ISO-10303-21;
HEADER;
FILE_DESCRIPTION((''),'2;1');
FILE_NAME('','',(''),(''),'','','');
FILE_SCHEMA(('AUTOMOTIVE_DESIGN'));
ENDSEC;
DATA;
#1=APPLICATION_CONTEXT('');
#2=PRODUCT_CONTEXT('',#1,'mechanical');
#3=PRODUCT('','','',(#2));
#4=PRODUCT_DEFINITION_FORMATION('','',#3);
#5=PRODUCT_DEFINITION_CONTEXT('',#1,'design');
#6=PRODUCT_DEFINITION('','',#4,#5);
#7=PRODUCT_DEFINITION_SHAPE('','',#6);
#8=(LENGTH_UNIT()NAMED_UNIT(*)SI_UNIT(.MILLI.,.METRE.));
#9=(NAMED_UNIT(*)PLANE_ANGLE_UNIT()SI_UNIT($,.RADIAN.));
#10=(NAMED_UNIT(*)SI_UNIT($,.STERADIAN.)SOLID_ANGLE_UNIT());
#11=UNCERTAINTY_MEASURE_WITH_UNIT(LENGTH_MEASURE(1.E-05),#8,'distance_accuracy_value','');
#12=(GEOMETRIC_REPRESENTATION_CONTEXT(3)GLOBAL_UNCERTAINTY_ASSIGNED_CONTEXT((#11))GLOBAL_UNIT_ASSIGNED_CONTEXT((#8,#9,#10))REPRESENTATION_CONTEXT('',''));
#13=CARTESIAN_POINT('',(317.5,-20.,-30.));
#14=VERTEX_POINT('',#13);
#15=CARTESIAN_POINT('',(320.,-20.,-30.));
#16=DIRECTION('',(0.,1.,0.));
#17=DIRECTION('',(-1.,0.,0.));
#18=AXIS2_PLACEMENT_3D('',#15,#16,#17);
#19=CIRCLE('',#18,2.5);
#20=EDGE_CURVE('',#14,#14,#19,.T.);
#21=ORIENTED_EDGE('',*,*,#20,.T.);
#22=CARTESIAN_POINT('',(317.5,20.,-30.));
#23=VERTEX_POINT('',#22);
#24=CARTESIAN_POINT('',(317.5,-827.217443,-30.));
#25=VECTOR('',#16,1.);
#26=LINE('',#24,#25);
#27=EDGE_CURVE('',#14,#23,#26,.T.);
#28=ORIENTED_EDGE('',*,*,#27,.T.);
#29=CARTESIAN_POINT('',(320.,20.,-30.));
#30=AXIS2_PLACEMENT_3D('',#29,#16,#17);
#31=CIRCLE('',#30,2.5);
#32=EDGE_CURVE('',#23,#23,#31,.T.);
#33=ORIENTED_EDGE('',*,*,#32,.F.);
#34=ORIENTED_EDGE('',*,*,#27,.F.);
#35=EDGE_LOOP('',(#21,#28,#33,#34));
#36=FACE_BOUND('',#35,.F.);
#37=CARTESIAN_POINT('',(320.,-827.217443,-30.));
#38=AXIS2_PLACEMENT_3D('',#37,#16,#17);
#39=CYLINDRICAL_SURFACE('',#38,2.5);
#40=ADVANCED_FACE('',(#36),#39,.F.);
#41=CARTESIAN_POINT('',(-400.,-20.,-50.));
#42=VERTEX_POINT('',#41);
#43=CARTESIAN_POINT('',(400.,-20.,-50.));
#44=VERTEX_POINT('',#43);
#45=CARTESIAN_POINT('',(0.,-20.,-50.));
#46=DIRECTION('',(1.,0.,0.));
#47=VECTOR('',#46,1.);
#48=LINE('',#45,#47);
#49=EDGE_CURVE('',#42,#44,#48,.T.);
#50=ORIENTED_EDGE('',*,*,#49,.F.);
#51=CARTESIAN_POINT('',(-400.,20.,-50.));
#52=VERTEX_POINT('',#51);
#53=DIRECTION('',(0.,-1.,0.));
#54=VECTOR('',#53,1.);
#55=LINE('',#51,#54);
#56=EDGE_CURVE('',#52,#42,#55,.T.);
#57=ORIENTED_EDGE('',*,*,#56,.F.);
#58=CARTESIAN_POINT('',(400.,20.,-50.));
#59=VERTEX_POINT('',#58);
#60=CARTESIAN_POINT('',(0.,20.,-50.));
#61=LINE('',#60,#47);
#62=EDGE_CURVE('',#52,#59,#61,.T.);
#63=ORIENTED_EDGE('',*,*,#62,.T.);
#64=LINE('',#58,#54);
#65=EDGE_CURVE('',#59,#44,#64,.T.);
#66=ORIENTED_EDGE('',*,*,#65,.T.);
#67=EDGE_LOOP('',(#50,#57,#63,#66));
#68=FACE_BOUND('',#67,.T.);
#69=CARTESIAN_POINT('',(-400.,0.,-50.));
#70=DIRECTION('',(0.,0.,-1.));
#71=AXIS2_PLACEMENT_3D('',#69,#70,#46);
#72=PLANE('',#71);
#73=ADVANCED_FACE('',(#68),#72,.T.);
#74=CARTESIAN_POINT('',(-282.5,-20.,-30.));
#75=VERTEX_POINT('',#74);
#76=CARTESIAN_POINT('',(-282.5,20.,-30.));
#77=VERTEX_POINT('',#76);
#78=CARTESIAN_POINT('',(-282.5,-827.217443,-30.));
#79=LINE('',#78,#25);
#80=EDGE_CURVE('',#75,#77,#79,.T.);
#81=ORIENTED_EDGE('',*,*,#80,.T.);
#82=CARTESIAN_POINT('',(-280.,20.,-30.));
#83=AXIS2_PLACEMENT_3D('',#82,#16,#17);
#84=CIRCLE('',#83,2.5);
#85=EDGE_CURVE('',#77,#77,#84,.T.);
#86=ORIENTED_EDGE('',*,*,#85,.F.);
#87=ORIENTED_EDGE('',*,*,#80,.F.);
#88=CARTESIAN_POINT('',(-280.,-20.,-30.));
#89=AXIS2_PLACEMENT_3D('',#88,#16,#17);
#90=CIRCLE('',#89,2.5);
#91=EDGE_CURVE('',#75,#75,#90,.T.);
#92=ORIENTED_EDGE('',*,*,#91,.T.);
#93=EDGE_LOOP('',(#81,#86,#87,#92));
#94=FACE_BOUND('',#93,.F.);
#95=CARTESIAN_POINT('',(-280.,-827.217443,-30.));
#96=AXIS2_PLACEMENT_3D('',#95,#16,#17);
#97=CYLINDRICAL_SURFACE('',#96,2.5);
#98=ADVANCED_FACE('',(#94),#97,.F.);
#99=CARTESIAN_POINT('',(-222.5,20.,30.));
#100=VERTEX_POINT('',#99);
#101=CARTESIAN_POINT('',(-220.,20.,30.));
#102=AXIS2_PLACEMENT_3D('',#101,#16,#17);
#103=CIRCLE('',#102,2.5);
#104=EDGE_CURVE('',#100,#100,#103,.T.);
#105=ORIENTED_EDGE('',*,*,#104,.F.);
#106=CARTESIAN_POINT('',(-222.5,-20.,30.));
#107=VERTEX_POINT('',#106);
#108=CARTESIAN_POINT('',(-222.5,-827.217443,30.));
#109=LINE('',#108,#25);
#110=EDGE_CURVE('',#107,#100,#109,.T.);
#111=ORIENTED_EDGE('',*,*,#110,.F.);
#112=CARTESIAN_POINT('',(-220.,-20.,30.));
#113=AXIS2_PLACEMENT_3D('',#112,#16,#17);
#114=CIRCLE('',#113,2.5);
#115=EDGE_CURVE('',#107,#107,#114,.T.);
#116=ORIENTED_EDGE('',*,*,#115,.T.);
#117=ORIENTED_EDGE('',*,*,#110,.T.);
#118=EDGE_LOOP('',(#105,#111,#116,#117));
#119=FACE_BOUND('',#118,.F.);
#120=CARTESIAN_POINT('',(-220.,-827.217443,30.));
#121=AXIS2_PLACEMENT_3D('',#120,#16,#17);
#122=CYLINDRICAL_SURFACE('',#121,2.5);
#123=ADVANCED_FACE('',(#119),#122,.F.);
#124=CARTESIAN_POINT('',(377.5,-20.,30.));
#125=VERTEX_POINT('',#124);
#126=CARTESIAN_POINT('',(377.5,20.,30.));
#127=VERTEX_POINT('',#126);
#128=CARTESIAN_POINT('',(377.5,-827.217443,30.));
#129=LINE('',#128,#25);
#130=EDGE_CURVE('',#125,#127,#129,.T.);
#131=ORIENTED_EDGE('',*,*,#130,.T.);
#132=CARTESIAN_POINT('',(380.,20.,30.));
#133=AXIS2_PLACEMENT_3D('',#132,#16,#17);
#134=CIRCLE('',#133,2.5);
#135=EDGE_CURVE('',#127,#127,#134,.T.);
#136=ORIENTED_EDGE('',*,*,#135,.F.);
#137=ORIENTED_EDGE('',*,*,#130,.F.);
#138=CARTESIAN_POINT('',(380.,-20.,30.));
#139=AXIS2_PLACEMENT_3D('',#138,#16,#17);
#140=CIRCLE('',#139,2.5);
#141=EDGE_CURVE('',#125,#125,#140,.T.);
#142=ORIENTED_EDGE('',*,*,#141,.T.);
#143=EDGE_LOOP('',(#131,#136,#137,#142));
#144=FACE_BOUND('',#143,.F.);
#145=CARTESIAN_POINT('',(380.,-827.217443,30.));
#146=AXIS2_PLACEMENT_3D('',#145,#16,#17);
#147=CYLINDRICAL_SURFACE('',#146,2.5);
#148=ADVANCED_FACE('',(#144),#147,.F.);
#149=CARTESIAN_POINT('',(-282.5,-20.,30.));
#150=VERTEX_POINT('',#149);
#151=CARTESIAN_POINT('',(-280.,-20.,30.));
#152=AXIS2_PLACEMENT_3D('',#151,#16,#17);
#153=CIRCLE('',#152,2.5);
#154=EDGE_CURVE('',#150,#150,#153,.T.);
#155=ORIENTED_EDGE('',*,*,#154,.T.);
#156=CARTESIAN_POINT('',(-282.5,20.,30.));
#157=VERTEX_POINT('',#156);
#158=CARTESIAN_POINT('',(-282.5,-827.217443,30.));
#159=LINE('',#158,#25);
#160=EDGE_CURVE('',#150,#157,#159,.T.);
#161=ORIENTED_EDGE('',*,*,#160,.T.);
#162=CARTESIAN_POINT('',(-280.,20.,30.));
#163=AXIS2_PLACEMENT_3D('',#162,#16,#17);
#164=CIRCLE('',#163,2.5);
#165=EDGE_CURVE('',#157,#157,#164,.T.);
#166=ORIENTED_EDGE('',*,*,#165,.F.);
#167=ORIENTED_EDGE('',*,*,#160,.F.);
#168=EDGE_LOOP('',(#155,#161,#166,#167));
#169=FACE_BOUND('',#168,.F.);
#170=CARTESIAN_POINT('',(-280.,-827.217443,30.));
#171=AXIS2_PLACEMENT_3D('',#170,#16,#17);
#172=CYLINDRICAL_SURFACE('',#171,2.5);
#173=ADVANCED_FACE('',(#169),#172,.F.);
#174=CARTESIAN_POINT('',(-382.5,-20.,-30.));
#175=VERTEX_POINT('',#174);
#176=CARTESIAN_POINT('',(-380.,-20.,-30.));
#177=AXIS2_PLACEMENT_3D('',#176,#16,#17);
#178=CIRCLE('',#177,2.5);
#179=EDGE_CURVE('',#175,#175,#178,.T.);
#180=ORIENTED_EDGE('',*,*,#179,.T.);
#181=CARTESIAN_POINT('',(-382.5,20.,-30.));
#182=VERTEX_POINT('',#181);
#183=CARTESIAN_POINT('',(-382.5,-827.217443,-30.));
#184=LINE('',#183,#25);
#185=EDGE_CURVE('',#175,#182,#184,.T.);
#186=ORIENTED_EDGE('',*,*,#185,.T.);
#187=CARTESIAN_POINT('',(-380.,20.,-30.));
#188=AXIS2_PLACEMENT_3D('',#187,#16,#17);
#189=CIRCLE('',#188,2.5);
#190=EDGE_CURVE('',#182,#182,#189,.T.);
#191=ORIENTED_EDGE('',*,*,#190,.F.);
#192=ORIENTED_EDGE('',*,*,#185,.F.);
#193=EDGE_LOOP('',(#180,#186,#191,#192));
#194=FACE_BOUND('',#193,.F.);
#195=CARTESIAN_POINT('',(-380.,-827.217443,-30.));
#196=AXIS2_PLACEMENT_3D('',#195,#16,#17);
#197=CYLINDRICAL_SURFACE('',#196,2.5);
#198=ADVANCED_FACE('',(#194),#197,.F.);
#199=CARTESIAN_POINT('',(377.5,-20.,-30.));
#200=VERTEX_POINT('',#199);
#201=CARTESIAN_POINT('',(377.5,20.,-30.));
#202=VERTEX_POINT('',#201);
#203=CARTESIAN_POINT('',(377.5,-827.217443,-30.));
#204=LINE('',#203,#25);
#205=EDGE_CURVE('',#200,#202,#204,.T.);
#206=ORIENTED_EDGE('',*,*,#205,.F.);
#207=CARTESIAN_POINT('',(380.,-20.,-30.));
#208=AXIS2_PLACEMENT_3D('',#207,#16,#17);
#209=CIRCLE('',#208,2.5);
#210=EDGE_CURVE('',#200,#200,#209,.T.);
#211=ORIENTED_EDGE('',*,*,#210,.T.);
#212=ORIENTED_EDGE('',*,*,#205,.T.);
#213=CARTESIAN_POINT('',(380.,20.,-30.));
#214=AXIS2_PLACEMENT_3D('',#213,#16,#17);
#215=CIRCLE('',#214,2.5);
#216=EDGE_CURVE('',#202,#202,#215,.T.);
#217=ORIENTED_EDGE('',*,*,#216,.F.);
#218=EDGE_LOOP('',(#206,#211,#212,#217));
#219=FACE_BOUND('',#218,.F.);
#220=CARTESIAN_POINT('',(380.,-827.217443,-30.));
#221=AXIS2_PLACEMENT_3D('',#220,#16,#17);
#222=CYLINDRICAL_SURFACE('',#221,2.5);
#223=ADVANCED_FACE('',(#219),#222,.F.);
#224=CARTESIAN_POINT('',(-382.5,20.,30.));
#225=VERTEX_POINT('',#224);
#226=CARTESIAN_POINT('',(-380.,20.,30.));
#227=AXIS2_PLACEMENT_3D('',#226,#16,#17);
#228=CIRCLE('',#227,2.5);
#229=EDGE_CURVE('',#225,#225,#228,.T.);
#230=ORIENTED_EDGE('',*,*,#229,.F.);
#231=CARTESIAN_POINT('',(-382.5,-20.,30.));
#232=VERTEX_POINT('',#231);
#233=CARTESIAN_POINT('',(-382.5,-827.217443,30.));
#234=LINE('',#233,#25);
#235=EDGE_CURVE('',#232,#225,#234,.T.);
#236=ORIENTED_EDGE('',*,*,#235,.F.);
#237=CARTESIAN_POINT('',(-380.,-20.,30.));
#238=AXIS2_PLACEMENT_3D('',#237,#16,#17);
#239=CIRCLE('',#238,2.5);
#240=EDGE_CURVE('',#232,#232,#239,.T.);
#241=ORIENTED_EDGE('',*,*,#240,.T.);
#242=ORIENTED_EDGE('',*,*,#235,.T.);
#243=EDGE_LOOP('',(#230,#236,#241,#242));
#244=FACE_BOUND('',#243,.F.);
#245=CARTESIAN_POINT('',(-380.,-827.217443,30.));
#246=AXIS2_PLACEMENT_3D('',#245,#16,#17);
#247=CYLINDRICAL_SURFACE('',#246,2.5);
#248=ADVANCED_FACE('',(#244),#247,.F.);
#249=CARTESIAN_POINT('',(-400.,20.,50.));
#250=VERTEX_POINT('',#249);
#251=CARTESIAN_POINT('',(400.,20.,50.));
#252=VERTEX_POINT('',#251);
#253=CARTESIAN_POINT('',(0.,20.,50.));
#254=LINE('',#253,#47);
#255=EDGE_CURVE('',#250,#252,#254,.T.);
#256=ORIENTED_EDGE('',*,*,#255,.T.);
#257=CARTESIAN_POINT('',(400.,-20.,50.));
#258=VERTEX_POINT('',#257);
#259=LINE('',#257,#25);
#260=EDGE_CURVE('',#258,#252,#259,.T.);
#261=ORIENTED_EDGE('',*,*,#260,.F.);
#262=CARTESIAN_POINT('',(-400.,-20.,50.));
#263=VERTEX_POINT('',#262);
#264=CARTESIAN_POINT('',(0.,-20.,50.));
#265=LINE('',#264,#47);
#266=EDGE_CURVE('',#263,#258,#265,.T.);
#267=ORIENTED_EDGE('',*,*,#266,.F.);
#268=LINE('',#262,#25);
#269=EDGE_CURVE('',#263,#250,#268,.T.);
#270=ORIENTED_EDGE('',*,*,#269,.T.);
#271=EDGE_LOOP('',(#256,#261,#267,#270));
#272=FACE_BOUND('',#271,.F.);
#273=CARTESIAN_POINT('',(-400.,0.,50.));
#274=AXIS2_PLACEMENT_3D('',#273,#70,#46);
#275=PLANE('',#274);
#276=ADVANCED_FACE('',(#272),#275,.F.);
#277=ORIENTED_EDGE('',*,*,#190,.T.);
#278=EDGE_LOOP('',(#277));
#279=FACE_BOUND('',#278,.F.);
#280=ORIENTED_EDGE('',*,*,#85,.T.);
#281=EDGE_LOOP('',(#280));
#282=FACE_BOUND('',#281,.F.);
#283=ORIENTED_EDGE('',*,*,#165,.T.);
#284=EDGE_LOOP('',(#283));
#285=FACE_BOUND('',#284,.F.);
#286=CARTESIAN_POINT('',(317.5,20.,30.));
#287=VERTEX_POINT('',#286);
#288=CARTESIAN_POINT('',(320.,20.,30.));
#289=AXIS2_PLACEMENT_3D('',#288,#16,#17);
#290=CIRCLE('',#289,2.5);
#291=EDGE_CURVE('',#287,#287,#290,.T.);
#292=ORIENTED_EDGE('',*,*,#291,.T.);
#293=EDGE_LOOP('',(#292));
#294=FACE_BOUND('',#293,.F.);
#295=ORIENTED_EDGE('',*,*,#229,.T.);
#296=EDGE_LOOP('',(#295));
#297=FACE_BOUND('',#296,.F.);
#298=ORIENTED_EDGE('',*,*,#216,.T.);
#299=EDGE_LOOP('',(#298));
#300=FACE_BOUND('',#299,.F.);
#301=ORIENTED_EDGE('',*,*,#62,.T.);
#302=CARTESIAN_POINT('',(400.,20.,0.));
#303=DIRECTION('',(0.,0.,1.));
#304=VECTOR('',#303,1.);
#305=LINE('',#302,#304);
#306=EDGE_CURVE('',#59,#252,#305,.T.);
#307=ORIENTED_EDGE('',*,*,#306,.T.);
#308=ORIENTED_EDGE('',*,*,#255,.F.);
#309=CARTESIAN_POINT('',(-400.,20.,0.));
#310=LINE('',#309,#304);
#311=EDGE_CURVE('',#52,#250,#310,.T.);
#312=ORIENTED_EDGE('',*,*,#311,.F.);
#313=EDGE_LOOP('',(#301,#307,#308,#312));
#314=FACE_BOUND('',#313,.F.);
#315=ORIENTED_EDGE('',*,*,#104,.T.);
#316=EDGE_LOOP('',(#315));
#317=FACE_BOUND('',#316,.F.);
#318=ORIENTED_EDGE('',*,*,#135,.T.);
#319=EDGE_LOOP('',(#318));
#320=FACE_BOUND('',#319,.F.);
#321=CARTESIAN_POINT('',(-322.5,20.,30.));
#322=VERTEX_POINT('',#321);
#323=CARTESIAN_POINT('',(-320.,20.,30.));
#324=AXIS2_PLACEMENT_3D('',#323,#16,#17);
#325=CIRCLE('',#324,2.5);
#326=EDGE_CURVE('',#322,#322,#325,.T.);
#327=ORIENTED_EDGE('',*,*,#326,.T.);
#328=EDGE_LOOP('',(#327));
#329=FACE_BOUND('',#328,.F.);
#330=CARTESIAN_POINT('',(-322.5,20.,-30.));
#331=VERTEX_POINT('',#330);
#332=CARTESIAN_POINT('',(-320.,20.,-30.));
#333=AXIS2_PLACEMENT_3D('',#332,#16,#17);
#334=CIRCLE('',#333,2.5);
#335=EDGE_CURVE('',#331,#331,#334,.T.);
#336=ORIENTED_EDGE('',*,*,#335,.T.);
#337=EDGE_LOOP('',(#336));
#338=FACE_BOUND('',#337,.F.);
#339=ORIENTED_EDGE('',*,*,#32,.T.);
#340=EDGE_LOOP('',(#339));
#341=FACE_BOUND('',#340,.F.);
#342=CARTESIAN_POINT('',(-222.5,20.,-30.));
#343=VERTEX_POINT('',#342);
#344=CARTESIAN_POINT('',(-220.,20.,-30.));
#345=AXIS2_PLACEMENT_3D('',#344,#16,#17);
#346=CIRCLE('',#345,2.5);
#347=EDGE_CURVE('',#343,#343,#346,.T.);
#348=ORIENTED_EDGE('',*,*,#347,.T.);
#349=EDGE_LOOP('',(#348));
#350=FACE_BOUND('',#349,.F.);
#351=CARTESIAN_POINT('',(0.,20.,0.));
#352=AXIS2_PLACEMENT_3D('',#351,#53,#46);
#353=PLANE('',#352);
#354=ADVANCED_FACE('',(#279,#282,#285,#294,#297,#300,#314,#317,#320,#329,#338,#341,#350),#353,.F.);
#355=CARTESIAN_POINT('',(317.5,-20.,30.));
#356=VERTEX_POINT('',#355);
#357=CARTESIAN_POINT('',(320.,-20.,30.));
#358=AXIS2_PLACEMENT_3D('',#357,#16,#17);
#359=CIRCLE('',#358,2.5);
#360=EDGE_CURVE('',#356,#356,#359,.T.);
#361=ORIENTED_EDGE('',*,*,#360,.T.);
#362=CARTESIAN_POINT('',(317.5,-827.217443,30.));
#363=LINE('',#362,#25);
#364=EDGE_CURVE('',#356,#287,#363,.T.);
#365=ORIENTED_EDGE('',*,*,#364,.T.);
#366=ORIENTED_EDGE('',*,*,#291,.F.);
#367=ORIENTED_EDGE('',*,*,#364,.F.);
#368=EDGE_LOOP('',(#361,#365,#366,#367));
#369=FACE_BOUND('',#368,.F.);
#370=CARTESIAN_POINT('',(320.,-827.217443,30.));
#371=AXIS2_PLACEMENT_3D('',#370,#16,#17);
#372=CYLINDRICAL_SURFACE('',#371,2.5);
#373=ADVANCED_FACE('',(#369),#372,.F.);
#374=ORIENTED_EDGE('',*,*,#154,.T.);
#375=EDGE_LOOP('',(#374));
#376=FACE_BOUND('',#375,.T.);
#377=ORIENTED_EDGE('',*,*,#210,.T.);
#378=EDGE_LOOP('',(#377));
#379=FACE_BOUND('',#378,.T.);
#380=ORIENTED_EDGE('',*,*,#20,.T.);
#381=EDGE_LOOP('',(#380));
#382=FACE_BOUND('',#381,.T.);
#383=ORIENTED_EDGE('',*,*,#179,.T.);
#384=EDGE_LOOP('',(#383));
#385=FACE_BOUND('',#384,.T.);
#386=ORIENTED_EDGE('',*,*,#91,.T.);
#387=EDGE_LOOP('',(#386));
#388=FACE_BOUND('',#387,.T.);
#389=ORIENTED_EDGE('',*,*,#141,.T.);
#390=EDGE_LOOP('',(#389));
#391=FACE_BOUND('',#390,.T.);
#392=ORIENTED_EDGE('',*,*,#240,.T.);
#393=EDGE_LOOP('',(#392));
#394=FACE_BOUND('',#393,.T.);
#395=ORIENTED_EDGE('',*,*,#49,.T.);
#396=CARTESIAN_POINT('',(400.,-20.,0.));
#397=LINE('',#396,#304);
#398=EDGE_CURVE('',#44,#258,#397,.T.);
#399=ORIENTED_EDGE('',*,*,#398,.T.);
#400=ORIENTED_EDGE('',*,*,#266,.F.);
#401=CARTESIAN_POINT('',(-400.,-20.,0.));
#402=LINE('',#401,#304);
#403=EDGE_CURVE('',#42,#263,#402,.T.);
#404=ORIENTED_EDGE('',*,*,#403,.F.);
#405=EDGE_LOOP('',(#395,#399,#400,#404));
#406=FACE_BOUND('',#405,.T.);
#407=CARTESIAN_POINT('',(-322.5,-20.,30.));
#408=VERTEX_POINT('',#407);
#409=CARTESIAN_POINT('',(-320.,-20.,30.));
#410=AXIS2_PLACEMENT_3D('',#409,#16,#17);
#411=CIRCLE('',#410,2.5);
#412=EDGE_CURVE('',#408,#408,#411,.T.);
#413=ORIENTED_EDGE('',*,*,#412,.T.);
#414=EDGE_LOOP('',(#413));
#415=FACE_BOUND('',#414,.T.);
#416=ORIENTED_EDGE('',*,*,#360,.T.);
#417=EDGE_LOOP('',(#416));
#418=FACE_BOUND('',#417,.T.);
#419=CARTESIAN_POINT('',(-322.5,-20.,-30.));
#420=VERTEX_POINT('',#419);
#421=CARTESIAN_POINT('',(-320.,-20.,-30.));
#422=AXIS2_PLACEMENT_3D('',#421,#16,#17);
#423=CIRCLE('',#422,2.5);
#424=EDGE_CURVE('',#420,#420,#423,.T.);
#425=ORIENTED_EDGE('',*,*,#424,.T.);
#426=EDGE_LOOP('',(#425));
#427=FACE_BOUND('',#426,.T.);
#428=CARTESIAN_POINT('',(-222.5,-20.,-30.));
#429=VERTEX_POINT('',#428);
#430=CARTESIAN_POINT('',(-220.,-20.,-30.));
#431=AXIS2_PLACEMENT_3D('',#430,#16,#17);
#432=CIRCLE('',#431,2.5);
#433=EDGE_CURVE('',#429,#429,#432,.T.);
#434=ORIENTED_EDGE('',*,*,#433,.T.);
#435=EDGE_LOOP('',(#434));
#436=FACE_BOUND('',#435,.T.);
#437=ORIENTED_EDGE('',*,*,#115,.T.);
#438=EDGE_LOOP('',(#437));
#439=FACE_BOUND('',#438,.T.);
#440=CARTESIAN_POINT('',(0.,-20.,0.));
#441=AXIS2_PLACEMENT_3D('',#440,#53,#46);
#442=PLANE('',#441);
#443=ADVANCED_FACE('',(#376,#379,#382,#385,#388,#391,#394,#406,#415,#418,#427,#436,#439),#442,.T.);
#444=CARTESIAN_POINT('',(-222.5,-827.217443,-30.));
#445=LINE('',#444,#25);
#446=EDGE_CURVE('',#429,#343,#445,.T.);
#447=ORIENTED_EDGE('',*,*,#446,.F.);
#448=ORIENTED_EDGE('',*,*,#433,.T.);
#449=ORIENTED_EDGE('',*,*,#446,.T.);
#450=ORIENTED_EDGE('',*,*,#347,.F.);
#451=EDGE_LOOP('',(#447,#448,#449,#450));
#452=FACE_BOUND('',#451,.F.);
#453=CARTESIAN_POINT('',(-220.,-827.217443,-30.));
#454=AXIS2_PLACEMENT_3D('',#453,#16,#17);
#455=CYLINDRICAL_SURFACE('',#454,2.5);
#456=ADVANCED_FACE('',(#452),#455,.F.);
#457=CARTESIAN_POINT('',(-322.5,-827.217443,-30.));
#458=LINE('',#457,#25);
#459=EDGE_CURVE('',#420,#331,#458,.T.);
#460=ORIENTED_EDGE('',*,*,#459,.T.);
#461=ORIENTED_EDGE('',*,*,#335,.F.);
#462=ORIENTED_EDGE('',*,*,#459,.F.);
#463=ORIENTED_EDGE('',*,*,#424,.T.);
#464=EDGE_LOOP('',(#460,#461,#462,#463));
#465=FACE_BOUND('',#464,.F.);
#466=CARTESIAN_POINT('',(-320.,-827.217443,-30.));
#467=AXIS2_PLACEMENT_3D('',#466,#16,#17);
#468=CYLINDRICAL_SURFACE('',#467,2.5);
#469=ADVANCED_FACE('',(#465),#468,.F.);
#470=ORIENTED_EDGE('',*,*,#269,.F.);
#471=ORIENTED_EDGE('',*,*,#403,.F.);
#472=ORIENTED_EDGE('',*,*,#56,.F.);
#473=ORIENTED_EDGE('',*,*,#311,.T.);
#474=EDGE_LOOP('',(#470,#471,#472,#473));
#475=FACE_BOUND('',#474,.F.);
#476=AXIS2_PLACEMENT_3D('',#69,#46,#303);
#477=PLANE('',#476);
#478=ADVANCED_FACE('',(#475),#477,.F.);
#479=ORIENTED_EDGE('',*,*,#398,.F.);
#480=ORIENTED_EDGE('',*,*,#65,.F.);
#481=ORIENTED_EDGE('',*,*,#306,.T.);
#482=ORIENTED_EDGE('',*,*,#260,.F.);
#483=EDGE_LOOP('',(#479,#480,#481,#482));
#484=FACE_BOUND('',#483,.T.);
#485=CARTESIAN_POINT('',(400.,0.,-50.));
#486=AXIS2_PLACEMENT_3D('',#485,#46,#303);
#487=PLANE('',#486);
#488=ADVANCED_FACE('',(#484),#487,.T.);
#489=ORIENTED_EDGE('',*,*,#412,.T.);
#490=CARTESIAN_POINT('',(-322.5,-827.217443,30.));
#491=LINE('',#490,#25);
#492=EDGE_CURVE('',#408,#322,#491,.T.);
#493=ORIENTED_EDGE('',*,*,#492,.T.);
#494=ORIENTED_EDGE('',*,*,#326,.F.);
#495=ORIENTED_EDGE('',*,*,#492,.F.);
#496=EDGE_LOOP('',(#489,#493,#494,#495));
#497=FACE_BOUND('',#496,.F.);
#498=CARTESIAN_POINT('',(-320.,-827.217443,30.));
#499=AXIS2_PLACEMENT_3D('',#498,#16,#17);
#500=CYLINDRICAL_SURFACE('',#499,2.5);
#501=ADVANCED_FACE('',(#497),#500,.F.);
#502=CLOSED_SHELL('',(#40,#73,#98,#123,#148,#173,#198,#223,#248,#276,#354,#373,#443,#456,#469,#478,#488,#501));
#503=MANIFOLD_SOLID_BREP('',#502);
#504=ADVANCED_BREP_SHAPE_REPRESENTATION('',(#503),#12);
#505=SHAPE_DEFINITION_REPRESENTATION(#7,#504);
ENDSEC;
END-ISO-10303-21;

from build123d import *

# Parameters (mm, degrees)
F0_W     = 800
F0_H     = 100
F1_DEPTH = 20
F3_D     = 5


with BuildPart() as f1:
    # F0 (on Front) → F1 (new body, symmetric)
    with BuildSketch(Plane.XZ):
        Rectangle(F0_W, F0_H)
    extrude(amount=F1_DEPTH, both=True)

    # F3 (through all)
    with Locations(Plane.XZ.offset(20)):
        with Locations((-380, 30), (-380, -30), (-320, 30), (-320, -30), (-280, 30), (-280, -30), (-220, -30), (-220, 30), (380, 30), (320, 30), (320, -30), (380, -30)):
            Hole(F3_D / 2)


solid = f1.part
